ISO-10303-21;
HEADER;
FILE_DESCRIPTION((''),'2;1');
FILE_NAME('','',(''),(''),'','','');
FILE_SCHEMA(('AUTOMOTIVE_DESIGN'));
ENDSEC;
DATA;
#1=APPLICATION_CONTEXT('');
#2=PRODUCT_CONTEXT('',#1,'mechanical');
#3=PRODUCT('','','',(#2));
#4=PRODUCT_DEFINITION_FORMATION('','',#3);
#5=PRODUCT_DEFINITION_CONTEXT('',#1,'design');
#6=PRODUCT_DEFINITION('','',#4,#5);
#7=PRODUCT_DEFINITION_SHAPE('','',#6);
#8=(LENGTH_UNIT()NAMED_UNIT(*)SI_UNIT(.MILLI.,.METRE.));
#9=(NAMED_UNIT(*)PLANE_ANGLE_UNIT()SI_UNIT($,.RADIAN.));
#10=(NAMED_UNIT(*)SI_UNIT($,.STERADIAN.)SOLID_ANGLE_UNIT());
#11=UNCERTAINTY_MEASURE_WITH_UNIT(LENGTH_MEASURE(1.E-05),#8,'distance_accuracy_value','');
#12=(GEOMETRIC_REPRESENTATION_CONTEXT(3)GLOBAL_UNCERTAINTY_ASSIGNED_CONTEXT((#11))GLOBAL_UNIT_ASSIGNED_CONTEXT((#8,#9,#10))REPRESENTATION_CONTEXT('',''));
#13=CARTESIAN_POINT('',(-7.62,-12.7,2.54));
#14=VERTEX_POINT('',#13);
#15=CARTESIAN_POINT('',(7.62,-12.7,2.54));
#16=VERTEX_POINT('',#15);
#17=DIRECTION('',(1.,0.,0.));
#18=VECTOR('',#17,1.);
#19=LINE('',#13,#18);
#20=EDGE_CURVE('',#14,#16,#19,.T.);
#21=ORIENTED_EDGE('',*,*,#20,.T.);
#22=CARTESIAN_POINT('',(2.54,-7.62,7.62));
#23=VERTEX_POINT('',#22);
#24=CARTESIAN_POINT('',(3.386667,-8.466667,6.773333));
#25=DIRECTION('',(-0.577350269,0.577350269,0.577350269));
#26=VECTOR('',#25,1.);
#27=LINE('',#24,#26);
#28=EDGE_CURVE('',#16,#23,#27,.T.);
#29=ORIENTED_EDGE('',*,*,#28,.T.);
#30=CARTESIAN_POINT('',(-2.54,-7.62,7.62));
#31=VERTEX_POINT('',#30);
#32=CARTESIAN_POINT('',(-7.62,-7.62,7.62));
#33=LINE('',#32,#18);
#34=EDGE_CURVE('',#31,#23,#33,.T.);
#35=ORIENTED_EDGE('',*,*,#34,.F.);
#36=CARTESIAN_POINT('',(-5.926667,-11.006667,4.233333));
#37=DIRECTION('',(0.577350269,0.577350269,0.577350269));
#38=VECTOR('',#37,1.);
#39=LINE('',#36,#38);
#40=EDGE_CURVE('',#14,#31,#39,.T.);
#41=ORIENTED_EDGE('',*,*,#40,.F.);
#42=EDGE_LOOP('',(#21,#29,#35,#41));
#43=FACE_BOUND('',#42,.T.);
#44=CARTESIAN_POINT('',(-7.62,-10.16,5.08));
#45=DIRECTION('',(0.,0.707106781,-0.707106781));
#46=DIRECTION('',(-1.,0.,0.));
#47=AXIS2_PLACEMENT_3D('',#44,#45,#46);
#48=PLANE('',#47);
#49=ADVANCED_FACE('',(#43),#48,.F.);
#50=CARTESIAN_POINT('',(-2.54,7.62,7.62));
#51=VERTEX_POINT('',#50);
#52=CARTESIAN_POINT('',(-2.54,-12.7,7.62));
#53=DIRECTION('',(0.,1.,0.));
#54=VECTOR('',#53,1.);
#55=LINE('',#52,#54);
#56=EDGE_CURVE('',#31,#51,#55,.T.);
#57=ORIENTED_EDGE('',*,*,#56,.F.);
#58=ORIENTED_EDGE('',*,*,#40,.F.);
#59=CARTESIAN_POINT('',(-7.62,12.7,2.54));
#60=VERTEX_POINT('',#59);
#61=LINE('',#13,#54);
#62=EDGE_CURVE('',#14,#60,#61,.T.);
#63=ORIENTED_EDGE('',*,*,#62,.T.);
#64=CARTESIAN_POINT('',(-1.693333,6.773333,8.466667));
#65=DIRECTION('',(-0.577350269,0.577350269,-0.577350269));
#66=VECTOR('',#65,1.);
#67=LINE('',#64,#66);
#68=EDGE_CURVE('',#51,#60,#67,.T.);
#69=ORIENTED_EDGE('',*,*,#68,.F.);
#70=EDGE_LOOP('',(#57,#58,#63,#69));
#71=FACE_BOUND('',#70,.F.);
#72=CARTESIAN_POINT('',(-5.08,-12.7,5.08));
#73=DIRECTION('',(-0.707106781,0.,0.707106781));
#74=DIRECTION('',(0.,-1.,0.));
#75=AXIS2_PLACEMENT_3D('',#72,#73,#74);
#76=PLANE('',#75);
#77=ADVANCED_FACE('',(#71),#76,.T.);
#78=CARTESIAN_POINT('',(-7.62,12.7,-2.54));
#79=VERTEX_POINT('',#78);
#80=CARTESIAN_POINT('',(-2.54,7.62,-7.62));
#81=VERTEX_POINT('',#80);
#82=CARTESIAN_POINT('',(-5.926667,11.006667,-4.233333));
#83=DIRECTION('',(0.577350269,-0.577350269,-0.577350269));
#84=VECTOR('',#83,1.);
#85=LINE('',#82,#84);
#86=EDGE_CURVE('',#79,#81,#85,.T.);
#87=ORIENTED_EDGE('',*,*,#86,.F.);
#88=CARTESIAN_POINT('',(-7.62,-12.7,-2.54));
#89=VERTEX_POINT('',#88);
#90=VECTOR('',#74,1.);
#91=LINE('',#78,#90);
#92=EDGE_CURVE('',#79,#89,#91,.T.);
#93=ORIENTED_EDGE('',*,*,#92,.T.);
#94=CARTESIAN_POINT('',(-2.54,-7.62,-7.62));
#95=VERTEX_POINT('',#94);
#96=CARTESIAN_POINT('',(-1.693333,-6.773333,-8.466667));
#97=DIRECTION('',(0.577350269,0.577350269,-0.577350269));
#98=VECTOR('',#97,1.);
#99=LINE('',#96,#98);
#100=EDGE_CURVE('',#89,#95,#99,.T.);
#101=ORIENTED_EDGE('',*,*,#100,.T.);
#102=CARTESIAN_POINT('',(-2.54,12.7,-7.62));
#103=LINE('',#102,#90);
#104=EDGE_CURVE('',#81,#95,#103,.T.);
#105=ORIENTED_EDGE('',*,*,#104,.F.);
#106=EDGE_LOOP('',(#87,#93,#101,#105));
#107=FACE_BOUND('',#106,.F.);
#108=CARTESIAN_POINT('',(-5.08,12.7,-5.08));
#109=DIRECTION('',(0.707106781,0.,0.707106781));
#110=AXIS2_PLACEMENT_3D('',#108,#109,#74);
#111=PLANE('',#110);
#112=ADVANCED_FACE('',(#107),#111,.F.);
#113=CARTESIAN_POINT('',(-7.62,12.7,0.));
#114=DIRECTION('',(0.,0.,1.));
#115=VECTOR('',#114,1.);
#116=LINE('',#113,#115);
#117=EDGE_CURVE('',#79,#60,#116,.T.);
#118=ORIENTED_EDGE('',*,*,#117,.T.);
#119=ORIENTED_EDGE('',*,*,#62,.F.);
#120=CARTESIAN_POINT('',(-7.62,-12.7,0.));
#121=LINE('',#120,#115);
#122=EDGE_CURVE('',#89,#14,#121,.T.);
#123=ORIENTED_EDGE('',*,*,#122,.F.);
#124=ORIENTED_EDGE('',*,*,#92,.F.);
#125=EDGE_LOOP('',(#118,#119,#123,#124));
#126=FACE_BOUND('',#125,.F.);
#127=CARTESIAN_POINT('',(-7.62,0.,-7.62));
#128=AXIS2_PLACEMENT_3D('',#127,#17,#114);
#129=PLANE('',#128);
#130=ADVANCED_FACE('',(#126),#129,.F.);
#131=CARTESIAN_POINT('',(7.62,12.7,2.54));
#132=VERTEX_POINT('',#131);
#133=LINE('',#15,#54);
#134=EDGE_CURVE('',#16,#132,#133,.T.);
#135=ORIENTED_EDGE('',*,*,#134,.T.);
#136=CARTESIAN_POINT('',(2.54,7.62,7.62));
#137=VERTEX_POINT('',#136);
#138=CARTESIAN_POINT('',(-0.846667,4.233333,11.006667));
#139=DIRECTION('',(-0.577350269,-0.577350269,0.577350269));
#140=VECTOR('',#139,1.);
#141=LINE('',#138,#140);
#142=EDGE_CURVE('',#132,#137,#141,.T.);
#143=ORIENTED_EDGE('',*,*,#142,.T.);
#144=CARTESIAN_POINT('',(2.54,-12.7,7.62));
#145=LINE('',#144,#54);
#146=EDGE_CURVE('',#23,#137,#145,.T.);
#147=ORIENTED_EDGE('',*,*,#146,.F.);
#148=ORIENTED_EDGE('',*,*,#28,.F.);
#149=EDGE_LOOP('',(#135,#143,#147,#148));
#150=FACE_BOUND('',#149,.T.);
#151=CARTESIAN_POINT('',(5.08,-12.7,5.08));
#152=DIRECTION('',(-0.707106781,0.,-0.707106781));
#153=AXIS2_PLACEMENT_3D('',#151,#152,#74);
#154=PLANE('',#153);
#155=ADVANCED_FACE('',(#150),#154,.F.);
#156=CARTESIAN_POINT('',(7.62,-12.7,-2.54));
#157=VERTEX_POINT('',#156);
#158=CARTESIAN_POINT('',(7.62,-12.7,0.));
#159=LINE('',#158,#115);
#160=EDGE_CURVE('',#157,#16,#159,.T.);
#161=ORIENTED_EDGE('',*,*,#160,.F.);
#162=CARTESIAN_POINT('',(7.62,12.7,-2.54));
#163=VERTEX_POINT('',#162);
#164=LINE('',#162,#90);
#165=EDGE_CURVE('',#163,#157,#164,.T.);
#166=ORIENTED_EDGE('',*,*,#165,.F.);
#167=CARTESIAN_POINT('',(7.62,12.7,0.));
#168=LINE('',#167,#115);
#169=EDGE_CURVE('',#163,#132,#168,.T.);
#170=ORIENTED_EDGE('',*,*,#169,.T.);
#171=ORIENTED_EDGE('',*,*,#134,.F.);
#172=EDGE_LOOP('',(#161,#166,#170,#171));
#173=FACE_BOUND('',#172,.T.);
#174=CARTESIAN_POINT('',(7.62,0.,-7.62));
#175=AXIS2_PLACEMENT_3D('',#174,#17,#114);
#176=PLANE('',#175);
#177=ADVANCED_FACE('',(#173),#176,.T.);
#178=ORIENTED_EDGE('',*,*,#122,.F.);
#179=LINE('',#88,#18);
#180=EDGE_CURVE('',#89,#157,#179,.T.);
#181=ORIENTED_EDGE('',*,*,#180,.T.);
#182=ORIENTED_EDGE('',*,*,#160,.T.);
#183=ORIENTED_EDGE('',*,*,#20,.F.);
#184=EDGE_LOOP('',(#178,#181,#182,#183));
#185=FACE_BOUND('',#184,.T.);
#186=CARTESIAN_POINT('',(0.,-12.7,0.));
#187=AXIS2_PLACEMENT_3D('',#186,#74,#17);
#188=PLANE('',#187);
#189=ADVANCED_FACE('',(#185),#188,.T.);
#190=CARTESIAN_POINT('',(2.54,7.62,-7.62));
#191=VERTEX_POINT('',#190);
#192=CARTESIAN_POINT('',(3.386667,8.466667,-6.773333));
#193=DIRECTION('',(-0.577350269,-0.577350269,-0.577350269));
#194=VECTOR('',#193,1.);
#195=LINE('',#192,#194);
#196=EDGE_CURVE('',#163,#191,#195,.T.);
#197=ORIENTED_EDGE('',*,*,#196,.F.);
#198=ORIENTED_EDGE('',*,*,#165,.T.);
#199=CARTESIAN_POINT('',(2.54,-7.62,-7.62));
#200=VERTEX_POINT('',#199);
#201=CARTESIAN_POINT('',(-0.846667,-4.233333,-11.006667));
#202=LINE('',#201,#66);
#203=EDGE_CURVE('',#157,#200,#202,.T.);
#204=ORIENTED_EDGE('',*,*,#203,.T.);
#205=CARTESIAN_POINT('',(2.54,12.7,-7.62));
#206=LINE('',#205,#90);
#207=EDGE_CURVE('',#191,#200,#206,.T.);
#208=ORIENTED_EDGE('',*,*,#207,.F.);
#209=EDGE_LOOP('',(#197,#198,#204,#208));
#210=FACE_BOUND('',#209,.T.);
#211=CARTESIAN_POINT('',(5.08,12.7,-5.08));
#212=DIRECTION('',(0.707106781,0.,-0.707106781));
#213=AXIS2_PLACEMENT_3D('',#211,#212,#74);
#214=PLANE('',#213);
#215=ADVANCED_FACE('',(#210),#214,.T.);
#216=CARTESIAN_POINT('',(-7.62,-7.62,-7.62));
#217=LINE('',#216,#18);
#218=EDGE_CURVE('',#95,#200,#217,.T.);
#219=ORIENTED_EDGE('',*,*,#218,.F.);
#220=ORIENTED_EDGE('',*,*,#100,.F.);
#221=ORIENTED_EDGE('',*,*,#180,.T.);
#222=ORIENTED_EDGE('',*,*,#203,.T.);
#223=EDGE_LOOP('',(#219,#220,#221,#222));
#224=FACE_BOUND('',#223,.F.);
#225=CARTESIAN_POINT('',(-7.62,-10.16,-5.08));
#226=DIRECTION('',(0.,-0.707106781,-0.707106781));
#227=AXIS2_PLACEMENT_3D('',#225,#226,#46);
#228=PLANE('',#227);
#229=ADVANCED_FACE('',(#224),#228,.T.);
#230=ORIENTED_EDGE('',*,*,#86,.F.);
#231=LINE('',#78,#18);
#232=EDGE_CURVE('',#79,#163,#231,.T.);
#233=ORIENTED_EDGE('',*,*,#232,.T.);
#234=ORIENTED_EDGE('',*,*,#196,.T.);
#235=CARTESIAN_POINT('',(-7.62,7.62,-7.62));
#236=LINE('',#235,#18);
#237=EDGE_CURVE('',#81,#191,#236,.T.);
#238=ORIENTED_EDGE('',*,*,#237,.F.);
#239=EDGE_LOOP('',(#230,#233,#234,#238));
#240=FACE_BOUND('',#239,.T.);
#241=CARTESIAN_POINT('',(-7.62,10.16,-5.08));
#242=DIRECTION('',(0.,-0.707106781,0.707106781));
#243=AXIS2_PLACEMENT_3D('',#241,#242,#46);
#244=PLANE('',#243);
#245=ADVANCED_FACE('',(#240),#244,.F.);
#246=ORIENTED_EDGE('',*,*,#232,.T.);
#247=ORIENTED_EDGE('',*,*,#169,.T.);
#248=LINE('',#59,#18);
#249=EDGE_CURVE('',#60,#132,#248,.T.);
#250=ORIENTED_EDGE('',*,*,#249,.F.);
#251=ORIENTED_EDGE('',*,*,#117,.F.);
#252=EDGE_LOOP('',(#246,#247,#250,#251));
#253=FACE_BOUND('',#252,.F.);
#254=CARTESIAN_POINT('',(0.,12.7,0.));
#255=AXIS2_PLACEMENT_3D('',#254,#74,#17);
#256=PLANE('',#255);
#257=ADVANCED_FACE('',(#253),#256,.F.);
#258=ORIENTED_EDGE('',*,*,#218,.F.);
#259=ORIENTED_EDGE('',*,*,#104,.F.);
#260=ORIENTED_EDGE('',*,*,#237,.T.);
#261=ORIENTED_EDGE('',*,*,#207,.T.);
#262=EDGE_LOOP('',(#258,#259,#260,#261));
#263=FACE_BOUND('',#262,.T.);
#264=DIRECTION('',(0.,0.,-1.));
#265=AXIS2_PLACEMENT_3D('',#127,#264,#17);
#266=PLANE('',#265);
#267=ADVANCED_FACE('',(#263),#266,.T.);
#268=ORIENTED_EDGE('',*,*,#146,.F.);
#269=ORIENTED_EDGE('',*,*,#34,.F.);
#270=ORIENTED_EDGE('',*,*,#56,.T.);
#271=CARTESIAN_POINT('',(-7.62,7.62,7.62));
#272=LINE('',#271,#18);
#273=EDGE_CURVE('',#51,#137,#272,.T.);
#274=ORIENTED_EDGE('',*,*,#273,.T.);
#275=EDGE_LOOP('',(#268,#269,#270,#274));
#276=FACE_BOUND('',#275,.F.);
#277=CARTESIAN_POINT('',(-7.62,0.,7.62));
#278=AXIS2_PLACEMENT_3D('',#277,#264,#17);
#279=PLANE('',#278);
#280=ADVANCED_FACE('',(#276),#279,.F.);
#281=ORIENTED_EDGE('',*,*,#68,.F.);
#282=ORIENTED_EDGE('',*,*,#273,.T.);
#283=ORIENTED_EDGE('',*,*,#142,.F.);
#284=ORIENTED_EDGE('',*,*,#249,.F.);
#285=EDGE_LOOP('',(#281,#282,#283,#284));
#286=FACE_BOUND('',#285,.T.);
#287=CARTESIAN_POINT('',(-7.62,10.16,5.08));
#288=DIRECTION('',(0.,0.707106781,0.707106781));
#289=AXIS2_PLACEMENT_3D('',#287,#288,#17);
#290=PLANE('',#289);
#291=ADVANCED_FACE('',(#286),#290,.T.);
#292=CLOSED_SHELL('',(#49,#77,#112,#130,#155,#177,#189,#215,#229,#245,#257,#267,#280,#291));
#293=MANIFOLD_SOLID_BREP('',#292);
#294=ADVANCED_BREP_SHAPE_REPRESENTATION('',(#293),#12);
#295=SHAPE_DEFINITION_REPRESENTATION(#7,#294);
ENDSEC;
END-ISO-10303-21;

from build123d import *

# Parameters (mm, degrees)
F0_W     = 15.24
F0_H     = 15.24
F1_DEPTH = 12.7
F2_SIZE  = 5.08


with BuildPart() as f1:
    # F0 (on Front) → F1 (new body, symmetric)
    with BuildSketch(Plane.XZ):
        Rectangle(F0_W, F0_H)
    extrude(amount=F1_DEPTH, both=True)

    # F2
    f2_edges = [f1.edges().sort_by_distance(p)[0] for p in [
        (0, -12.7, 7.62),
        (7.62, 0, 7.62),
        (0, 12.7, 7.62),
        (-7.62, 0, 7.62),
        (0, -12.7, -7.62),
        (-7.62, 0, -7.62),
        (7.62, 0, -7.62),
        (0, 12.7, -7.62),
    ]]
    chamfer(f2_edges, length=F2_SIZE)


solid = f1.part
